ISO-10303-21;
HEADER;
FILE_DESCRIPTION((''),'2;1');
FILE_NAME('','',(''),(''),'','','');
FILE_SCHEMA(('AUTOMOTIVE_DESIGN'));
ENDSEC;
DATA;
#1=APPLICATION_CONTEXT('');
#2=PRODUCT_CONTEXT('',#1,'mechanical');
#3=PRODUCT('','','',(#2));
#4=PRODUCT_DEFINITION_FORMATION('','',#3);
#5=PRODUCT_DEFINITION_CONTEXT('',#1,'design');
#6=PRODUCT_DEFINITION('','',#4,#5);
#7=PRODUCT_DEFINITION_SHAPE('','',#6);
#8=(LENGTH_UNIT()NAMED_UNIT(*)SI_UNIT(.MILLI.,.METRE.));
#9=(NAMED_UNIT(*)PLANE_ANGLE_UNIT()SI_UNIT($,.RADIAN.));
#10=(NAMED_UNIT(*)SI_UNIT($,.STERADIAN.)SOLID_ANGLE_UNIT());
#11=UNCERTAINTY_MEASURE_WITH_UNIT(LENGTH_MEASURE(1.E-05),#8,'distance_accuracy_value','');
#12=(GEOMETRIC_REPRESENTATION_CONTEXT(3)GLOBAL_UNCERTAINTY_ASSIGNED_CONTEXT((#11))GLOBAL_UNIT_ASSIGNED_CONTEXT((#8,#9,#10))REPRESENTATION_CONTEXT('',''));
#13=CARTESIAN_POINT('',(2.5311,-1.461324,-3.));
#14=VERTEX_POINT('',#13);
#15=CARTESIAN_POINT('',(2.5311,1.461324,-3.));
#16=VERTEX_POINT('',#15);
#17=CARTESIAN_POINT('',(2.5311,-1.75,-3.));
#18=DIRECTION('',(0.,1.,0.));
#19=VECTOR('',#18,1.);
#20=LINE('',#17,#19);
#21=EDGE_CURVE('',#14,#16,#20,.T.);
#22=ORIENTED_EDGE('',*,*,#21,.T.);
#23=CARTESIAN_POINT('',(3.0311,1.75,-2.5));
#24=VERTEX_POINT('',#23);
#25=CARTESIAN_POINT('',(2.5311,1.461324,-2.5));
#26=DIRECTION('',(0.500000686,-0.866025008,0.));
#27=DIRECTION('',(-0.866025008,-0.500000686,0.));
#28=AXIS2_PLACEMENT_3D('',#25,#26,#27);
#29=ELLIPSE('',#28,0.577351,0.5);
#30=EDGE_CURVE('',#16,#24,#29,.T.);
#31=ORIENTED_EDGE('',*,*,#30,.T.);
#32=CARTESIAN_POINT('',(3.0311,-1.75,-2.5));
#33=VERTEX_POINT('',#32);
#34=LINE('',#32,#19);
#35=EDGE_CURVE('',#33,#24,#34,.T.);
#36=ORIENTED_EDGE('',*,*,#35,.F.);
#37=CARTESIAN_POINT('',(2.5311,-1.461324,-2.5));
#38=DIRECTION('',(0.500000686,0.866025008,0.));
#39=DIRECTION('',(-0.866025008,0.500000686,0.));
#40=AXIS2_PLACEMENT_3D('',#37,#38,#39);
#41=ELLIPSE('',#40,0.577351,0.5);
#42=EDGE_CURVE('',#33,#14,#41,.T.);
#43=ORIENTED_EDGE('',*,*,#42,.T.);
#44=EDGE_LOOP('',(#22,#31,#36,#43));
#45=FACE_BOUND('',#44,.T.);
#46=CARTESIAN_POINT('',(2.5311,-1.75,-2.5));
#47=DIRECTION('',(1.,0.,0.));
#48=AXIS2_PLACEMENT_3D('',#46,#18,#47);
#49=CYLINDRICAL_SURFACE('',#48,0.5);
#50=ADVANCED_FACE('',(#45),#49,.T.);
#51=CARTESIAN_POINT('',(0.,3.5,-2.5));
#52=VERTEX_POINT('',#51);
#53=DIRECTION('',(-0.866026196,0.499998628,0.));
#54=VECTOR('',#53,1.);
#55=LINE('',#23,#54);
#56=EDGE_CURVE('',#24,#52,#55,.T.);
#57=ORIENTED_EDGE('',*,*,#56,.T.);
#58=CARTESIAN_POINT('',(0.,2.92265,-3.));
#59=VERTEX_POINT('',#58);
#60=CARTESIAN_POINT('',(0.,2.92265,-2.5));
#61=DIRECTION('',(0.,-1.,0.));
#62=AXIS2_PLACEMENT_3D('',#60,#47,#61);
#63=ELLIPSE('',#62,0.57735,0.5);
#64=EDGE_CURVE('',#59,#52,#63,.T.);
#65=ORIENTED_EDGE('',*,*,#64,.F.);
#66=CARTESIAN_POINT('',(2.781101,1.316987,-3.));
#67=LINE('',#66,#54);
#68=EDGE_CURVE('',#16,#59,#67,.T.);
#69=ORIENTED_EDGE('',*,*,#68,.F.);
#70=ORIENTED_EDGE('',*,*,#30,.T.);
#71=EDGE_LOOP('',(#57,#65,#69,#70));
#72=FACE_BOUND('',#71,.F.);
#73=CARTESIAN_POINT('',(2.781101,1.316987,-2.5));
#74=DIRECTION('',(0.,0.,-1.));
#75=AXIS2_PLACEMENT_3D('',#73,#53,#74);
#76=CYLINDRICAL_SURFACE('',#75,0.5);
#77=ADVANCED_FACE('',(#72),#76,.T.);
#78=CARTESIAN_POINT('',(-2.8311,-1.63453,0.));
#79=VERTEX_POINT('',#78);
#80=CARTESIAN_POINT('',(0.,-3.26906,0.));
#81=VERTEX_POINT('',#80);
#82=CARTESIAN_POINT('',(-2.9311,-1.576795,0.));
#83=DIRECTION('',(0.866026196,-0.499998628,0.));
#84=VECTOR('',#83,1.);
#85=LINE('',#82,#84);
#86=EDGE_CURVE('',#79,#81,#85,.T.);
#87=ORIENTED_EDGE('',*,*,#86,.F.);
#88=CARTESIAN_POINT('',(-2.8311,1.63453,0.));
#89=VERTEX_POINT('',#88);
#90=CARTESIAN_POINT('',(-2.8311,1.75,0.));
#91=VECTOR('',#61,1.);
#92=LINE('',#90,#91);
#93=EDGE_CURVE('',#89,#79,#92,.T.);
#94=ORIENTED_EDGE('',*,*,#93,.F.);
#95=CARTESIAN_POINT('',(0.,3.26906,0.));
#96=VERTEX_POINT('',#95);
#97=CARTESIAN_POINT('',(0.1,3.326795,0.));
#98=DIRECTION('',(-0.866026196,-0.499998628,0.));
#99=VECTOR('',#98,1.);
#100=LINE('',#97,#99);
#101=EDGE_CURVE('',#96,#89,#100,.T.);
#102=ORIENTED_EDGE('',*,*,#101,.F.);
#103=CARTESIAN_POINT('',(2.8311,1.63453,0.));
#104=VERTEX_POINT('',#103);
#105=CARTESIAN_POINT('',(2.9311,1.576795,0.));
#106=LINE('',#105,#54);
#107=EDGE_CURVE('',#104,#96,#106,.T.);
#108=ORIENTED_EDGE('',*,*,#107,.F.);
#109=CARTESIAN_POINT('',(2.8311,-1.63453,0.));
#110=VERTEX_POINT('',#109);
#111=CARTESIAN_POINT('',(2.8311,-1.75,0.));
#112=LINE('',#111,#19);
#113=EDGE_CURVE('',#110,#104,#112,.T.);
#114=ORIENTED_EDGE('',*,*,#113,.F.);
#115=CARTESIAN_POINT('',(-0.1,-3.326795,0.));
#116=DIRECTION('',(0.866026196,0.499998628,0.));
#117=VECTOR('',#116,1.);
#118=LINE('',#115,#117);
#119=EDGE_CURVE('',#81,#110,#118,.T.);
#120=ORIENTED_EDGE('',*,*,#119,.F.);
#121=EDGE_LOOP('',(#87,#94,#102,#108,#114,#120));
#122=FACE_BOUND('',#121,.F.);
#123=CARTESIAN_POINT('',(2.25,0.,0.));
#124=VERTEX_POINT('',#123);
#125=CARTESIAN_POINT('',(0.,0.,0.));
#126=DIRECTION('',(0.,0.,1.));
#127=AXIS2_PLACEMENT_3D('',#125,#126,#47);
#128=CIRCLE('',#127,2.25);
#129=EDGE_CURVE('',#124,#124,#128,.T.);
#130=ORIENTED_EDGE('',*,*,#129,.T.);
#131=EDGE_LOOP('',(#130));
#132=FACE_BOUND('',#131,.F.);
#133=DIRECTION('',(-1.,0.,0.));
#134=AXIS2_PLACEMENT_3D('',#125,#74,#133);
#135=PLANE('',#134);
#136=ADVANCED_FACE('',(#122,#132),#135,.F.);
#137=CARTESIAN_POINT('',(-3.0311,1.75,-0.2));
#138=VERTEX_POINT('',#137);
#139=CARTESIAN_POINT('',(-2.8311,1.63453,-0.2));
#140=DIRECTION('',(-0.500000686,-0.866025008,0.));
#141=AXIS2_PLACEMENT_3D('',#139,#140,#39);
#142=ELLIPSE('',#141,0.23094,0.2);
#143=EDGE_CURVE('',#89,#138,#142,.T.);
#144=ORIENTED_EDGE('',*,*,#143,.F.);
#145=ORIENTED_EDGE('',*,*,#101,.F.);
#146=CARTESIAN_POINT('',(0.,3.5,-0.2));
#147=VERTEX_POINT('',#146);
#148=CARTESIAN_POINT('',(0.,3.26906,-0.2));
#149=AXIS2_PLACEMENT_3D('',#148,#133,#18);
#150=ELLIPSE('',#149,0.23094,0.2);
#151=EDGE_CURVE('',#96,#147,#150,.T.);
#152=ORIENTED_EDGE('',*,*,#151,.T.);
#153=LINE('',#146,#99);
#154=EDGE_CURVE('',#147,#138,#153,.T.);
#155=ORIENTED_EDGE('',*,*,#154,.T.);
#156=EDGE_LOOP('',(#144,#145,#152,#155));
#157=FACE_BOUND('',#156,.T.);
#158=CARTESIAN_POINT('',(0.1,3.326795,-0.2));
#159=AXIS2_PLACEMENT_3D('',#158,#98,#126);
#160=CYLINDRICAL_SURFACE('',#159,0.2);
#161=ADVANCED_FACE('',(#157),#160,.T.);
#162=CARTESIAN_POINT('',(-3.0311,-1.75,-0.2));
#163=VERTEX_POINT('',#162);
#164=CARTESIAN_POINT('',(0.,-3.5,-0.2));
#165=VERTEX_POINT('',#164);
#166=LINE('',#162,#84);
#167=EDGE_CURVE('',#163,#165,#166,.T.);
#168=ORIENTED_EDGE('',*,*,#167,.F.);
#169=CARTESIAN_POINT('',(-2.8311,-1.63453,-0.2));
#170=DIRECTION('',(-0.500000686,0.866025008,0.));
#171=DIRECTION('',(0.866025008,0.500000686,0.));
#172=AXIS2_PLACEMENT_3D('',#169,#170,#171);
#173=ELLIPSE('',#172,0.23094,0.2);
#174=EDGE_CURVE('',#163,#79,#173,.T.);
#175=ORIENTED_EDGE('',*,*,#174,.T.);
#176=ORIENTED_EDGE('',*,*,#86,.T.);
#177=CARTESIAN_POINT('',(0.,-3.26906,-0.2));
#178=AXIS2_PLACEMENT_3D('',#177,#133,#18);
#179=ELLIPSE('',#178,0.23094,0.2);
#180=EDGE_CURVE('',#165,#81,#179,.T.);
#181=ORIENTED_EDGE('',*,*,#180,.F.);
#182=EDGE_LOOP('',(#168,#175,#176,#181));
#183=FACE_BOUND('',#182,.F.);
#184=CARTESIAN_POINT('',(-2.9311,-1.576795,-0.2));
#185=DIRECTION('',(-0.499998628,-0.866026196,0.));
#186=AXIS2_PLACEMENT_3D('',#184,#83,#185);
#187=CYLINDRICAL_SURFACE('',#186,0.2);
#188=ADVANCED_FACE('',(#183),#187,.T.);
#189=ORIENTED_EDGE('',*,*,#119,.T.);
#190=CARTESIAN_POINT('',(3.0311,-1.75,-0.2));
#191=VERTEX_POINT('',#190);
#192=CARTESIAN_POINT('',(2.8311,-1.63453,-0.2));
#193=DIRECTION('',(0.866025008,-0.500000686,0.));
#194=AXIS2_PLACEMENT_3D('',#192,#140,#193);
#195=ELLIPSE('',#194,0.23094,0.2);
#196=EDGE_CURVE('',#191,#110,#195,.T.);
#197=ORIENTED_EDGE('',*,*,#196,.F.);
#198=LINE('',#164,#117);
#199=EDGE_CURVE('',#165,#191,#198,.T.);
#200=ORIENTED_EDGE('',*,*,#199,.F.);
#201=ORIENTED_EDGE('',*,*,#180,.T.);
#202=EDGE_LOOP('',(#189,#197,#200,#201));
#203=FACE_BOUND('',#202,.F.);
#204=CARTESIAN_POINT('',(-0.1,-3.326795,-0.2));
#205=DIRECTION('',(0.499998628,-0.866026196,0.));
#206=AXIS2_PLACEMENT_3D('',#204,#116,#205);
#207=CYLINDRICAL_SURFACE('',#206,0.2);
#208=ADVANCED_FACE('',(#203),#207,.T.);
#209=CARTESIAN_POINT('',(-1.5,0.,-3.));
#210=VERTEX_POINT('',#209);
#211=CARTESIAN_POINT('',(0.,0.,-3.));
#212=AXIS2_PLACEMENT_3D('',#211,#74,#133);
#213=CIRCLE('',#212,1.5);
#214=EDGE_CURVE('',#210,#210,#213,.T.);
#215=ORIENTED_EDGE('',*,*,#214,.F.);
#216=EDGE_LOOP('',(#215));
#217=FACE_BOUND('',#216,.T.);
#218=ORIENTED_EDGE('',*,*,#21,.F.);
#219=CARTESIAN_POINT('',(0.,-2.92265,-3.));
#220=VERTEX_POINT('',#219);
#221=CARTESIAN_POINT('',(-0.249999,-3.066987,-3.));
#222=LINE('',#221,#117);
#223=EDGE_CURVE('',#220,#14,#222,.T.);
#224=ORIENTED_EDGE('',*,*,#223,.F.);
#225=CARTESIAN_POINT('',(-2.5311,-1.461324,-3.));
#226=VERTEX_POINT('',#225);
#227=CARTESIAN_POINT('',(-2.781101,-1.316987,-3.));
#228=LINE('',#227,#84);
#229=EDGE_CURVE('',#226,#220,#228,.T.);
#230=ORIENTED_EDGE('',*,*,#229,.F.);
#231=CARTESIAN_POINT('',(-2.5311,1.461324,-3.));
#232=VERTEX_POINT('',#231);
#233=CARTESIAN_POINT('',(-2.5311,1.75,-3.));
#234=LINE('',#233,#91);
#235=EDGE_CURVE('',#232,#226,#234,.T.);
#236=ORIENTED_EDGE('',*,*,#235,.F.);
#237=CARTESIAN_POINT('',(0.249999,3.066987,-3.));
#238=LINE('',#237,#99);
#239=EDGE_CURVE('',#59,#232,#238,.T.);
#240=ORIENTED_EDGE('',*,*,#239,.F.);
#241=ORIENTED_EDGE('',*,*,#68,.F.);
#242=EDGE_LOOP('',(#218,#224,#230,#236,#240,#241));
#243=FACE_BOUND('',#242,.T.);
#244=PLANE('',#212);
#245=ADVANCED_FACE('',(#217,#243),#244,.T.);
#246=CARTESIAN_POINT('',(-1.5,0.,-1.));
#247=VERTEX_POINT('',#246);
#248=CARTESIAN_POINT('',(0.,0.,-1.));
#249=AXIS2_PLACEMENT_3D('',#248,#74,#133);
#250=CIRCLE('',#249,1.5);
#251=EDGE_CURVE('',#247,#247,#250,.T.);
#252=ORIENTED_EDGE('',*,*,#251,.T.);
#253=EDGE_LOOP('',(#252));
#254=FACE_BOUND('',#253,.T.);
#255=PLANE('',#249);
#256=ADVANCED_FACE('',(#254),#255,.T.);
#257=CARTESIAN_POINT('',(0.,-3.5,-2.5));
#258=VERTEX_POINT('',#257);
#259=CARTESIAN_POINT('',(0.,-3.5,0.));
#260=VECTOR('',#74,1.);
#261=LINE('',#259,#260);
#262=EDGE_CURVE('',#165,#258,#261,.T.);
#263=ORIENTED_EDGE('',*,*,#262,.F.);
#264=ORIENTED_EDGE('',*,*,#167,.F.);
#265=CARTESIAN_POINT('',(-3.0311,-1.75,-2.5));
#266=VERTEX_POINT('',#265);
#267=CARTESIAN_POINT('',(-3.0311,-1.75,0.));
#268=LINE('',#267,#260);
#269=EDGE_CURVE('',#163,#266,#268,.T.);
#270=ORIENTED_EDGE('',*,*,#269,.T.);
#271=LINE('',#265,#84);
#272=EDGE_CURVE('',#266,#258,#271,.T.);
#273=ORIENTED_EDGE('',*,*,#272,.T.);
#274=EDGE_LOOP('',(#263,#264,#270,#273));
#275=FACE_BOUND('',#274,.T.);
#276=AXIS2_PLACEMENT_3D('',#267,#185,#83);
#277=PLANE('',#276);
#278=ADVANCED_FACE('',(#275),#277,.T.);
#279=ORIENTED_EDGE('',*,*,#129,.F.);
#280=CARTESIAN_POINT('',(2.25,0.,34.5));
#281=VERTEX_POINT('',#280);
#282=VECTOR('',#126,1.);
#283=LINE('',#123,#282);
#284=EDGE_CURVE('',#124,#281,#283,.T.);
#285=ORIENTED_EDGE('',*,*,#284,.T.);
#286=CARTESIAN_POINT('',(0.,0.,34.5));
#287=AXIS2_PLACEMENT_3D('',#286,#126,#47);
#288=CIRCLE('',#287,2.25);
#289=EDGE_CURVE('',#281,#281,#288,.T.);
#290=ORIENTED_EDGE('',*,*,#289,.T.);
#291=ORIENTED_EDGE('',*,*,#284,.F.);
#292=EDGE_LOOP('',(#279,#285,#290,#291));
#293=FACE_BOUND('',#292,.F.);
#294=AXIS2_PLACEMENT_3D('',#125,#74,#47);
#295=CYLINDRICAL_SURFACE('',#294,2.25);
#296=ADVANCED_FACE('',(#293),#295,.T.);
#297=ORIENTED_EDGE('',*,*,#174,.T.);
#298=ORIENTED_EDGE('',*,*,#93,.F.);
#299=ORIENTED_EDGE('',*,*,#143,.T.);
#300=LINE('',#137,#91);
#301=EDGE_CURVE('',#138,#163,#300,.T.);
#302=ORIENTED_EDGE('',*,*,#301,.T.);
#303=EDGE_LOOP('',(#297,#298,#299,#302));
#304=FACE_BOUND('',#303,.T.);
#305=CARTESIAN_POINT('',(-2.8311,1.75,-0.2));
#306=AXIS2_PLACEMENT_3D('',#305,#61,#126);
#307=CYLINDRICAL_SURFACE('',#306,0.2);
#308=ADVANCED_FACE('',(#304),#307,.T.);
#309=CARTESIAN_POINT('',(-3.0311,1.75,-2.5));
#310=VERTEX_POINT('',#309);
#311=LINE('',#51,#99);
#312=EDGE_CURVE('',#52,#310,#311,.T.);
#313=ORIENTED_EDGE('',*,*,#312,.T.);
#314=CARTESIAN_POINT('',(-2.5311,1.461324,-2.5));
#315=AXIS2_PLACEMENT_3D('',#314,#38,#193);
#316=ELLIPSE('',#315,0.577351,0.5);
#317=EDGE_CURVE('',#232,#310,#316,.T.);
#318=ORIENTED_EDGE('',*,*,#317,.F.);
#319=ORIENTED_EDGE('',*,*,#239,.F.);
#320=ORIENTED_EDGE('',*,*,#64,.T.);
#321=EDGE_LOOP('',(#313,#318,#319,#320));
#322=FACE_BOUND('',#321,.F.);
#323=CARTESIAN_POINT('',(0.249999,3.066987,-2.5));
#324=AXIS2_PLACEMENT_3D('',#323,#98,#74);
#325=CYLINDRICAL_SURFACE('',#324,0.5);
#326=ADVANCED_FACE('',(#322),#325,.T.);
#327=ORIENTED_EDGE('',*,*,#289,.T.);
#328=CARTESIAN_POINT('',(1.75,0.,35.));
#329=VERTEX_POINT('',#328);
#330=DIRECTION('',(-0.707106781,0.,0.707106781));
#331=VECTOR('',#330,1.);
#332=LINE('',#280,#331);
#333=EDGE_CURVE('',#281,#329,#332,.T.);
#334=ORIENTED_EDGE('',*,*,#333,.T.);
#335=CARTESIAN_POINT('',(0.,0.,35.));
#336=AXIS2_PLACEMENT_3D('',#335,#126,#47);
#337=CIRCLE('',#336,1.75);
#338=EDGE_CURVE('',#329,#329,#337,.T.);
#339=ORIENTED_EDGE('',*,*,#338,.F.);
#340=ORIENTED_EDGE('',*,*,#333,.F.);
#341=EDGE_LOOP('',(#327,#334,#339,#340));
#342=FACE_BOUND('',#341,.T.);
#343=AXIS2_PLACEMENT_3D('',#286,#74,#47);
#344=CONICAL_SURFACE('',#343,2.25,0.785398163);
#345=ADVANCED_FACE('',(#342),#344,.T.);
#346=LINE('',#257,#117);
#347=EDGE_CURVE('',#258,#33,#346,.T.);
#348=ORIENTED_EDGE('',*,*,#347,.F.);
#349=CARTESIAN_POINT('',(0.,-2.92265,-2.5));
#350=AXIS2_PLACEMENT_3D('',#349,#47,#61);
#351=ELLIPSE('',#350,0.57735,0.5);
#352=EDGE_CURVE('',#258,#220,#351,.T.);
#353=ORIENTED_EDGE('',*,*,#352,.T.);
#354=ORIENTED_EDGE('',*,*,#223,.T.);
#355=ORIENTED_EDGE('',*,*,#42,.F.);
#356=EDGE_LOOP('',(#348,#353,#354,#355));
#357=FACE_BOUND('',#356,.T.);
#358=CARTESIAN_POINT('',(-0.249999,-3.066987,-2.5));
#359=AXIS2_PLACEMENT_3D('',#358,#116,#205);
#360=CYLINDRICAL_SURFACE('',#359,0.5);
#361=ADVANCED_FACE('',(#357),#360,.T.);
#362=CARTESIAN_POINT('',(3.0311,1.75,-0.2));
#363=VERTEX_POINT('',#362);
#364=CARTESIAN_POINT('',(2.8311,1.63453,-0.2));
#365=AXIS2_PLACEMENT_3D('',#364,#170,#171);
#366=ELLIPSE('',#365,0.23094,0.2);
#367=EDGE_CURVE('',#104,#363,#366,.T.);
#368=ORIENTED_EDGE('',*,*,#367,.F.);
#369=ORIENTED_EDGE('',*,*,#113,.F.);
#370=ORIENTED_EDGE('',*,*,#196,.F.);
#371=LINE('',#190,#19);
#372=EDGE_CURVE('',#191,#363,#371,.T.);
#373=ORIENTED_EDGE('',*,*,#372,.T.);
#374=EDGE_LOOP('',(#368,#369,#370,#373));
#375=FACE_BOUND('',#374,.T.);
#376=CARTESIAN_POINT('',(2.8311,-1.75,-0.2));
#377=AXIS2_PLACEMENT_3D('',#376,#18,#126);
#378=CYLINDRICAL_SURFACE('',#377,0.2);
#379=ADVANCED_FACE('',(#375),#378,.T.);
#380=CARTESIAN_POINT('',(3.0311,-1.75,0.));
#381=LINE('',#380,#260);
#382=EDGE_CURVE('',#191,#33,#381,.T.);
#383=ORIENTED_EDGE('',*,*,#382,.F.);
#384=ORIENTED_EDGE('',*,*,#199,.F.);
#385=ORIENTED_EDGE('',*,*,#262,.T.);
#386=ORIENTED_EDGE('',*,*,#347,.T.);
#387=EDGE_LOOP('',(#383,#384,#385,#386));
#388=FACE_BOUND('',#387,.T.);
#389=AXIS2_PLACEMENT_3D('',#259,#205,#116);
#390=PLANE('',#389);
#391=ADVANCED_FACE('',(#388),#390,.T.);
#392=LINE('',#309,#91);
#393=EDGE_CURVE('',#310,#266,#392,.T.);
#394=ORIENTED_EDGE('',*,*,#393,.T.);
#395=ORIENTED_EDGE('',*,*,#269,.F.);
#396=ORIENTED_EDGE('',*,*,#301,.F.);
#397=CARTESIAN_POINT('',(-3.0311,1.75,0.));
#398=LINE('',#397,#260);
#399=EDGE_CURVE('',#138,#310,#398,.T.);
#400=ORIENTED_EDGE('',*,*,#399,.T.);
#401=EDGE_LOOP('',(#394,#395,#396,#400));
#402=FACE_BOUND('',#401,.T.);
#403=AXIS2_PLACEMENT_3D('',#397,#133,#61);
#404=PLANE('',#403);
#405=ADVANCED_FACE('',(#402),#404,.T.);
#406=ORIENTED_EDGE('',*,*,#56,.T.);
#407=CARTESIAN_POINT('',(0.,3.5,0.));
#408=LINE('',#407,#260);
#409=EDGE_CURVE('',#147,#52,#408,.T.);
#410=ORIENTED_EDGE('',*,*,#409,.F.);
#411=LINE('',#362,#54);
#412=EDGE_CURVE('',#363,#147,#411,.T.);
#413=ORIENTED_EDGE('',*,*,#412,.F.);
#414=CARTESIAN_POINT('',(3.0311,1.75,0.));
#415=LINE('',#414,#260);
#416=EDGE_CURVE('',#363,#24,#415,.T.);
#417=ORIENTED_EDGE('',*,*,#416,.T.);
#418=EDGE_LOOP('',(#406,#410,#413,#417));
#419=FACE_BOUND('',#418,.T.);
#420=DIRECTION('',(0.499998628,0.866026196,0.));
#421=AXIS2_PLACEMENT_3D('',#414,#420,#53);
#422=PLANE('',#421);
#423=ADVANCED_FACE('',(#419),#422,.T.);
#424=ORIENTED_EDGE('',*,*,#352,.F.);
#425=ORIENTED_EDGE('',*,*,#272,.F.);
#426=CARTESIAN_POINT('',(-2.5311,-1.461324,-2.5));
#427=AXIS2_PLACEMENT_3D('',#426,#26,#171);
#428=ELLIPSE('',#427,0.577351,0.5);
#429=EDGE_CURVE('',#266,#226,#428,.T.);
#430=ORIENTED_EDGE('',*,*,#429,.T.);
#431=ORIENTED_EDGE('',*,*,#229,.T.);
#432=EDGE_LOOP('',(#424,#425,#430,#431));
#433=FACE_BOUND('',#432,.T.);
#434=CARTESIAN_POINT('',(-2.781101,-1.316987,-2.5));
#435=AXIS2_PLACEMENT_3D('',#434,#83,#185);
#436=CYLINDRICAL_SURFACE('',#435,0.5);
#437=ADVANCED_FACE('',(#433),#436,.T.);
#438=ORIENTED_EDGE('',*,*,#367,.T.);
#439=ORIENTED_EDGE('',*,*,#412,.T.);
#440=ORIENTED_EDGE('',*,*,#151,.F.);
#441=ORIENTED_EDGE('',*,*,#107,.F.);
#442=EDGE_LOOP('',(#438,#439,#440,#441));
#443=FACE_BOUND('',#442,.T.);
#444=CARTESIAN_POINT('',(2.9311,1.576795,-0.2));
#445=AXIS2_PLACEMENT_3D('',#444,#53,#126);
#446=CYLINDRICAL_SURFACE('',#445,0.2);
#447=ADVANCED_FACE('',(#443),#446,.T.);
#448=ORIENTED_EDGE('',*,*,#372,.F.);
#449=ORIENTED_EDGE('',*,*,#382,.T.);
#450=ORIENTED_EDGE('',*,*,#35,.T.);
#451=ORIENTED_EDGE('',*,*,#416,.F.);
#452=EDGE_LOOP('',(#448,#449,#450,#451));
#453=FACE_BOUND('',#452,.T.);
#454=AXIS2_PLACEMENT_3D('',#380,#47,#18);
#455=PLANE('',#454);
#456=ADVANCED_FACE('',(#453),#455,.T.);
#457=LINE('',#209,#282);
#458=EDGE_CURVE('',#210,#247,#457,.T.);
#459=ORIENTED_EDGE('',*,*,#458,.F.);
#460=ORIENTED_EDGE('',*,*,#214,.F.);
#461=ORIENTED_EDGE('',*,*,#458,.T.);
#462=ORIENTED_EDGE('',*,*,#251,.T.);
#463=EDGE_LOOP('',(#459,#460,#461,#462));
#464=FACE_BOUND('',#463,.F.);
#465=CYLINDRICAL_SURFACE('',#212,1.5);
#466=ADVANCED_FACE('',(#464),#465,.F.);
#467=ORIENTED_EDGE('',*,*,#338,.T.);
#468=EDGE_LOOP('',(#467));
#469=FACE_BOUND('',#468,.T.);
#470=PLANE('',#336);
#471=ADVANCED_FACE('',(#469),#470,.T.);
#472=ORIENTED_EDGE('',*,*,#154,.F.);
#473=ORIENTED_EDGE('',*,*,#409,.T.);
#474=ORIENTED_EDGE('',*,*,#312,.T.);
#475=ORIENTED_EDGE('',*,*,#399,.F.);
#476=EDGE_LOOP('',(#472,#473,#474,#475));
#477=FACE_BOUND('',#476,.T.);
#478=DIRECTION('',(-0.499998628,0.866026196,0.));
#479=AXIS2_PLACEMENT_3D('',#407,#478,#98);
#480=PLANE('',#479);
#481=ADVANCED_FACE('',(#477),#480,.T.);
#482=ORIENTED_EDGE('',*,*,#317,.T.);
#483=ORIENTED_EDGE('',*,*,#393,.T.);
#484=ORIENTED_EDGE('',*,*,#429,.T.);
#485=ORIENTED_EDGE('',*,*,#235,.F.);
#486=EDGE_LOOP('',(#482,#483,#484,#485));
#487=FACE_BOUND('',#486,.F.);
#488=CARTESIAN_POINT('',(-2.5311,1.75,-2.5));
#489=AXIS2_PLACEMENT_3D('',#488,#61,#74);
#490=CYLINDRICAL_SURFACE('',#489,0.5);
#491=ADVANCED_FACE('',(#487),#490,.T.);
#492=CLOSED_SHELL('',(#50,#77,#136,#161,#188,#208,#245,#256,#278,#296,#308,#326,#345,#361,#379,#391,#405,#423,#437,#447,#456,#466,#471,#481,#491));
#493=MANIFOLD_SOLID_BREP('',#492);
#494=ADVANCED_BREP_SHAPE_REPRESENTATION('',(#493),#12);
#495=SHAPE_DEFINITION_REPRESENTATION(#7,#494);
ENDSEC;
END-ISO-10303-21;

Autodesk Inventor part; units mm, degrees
ref_plane "YZ Plane" through (0, 0, 0) normal (1, 0, 0) x (0, 1, 0)
ref_plane "XZ Plane" through (0, 0, 0) normal (0, 1, 0) x (-1, 0, 0)
ref_plane "XY Plane" through (0, 0, 0) normal (0, 0, 1) x (1, 0, 0)
sketch "草图1" plane through (0, 0, 0) normal (0, 0, 1) x (1, 0, 0)
  circle A0 centre (0, 0) radius 2.25
  dimension "d0" = 4.5
extrude "拉伸1" add sketch "草图1" along normal blind 35
thread "螺纹1" size "M4.5x0.75" class "6g" standard "ANSI Metric M Profile" full length
sketch "草图4" plane through (0, 0, 0) normal (0, 0, -1) x (-1, 0, 0)
  line L0 (0, -3.5) -> (-3.0311, -1.75)
  line L1 (-3.0311, -1.75) -> (-3.0311, 1.75)
  line L2 (-3.0311, 1.75) -> (0, 3.5)
  line L3 (0, 3.5) -> (3.0311, 1.75)
  line L4 (3.0311, 1.75) -> (3.0311, -1.75)
  line L5 (3.0311, -1.75) -> (0, -3.5)
  point P0 (0, 0)
  point P1 (0, 0)
sketch "草图5" plane through (0, 0, 0) normal (0, 0, -1) x (-1, 0, 0)
  point P0 (0, 0)
extrude "拉伸4" add sketch "草图4" along normal blind 3
fillet "圆角3" radius 0.5 6 edges at (-1.5155, -2.625, -3) (-3.0311, 0, -3) (-1.5155, 2.625, -3) (1.5155, 2.625, -3) (3.0311, 0, -3) (1.5155, -2.625, -3)
fillet "圆角4" radius 0.2 6 edges at (1.5155, -2.625, 0) (3.0311, 0, 0) (1.5155, 2.625, 0) (-1.5155, -2.625, 0) (-1.5155, 2.625, 0) (-3.0311, 0, 0)
sketch "草图6" plane through (0, 0, -3) normal (0, 0, -1) x (-1, 0, 0)
  circle A0 centre (0, 0) radius 1.5
  dimension "d20" = 3
extrude "拉伸5" cut sketch "草图6" against normal blind 2
chamfer "倒角1" distance 0.5 angle 45 1 edges at (-2.25, 0, 35)
equation "\"折弯半径\" = 厚度"
equation "\"折弯释压宽度\" = 厚度"
equation "\"折弯释压深度\" = 0.5 * 厚度"
equation "\"拐角释压尺寸\" = 4 * 厚度"
equation "\"最小余量\" = 2 * 厚度"
equation "\"过渡半径\" = 折弯半径"
equation "\"Jacobi半径尺寸\" = 折弯半径"
equation "\"间隙大小\" = 厚度"
equation "\"厚度\" = 0.5"
